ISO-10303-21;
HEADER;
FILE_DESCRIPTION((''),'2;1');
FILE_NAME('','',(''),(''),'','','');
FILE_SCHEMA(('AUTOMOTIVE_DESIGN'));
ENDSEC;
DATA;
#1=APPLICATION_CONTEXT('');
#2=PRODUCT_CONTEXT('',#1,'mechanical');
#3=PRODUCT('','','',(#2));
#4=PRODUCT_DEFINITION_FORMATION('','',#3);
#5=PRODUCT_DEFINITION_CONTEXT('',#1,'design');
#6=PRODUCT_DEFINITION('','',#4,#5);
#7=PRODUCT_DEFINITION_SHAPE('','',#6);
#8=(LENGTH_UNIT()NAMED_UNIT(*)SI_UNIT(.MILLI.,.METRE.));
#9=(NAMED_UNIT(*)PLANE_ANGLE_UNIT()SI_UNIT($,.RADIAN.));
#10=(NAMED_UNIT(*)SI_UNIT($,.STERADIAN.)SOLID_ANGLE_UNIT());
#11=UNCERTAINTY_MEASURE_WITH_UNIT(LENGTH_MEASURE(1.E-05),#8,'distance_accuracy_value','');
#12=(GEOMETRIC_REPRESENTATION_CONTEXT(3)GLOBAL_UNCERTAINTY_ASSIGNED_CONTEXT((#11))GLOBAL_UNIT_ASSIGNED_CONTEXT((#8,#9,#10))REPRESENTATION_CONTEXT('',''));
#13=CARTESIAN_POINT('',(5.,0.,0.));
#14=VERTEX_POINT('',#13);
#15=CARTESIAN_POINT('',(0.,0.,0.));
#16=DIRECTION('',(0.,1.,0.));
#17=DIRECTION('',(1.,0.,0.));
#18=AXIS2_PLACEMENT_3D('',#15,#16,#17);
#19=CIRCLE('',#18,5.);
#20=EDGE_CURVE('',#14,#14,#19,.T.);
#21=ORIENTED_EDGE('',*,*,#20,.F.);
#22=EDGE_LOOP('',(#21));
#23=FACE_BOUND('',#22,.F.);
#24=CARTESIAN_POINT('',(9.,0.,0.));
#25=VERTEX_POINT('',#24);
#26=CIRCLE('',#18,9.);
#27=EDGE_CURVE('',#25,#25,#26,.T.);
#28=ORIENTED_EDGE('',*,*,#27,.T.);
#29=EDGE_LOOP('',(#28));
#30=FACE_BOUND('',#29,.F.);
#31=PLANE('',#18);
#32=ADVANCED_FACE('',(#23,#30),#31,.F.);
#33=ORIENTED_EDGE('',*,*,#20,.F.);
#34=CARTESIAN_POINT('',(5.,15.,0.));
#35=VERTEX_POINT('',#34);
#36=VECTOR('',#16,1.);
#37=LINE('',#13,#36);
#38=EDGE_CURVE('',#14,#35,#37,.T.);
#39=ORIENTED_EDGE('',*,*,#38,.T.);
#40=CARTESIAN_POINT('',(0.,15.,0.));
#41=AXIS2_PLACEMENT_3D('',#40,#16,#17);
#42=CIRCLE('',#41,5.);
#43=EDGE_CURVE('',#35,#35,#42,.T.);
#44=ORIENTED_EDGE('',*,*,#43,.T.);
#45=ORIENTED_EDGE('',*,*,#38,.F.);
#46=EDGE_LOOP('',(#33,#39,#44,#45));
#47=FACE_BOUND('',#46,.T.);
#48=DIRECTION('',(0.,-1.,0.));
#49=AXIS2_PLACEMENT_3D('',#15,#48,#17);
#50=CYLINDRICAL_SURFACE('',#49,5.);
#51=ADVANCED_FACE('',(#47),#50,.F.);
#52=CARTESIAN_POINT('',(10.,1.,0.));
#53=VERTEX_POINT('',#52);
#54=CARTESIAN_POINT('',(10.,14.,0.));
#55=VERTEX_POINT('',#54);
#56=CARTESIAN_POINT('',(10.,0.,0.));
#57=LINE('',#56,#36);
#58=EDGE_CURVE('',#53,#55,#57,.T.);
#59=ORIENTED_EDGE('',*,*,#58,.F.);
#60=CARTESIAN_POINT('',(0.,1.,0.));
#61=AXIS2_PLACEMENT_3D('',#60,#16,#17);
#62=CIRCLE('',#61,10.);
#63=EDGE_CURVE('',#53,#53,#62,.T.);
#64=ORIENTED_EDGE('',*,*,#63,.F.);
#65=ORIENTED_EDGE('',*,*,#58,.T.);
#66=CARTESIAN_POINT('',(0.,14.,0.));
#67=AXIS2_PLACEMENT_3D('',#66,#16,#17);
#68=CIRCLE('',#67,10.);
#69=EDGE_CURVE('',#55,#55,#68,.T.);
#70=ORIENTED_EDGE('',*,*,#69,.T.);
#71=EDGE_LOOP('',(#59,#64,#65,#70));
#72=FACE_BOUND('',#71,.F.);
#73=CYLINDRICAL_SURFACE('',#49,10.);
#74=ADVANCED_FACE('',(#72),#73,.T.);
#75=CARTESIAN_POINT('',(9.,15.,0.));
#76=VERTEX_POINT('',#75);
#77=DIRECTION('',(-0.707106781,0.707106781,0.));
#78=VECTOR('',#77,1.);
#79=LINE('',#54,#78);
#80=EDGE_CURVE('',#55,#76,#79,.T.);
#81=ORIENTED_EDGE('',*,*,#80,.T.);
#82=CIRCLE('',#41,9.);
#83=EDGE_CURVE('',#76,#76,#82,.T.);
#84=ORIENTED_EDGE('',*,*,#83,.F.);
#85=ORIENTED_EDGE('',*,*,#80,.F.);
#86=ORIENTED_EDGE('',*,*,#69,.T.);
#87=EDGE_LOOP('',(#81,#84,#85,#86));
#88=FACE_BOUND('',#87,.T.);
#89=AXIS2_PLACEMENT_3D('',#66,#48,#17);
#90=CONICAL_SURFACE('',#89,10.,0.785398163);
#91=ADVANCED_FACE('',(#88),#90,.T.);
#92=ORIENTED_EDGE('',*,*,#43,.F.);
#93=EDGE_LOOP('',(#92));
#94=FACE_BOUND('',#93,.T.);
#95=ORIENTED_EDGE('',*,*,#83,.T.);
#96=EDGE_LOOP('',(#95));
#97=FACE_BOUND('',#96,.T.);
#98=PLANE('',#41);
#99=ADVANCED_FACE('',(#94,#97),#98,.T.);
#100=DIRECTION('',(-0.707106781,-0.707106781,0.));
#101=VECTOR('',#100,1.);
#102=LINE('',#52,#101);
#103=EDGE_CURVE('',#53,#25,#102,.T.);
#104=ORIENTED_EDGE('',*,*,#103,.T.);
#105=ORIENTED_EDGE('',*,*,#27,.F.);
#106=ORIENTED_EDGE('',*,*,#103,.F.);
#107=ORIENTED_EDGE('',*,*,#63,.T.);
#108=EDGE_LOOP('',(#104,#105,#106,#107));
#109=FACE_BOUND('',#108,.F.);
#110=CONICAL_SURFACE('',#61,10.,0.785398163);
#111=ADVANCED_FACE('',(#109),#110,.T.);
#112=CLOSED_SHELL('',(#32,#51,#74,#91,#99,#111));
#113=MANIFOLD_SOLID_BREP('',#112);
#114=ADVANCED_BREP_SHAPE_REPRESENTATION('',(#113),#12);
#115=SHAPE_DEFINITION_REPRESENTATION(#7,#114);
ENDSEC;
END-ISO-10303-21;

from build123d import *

# Parameters (mm, degrees)
SKETCH1_R           = 10
SKETCH1_R_2         = 5
BOSS_EXTRUDE1_DEPTH = 15
CHAMFER2_SIZE       = 1


with BuildPart() as part:
    # Sketch1 → Boss-Extrude1 (new body)
    with BuildSketch(Plane(origin=(0, 0, 0), x_dir=(1, 0, 0), z_dir=(0, 1, 0))):
        Circle(SKETCH1_R)
        Circle(SKETCH1_R_2, mode=Mode.SUBTRACT)
    extrude(amount=BOSS_EXTRUDE1_DEPTH)

    # Chamfer2
    chamfer2_edges = [part.edges().sort_by_distance(p)[0] for p in [
        (-10, 0, 0),
        (-10, 15, 0),
    ]]
    chamfer(chamfer2_edges, length=CHAMFER2_SIZE)


solid = part.part
